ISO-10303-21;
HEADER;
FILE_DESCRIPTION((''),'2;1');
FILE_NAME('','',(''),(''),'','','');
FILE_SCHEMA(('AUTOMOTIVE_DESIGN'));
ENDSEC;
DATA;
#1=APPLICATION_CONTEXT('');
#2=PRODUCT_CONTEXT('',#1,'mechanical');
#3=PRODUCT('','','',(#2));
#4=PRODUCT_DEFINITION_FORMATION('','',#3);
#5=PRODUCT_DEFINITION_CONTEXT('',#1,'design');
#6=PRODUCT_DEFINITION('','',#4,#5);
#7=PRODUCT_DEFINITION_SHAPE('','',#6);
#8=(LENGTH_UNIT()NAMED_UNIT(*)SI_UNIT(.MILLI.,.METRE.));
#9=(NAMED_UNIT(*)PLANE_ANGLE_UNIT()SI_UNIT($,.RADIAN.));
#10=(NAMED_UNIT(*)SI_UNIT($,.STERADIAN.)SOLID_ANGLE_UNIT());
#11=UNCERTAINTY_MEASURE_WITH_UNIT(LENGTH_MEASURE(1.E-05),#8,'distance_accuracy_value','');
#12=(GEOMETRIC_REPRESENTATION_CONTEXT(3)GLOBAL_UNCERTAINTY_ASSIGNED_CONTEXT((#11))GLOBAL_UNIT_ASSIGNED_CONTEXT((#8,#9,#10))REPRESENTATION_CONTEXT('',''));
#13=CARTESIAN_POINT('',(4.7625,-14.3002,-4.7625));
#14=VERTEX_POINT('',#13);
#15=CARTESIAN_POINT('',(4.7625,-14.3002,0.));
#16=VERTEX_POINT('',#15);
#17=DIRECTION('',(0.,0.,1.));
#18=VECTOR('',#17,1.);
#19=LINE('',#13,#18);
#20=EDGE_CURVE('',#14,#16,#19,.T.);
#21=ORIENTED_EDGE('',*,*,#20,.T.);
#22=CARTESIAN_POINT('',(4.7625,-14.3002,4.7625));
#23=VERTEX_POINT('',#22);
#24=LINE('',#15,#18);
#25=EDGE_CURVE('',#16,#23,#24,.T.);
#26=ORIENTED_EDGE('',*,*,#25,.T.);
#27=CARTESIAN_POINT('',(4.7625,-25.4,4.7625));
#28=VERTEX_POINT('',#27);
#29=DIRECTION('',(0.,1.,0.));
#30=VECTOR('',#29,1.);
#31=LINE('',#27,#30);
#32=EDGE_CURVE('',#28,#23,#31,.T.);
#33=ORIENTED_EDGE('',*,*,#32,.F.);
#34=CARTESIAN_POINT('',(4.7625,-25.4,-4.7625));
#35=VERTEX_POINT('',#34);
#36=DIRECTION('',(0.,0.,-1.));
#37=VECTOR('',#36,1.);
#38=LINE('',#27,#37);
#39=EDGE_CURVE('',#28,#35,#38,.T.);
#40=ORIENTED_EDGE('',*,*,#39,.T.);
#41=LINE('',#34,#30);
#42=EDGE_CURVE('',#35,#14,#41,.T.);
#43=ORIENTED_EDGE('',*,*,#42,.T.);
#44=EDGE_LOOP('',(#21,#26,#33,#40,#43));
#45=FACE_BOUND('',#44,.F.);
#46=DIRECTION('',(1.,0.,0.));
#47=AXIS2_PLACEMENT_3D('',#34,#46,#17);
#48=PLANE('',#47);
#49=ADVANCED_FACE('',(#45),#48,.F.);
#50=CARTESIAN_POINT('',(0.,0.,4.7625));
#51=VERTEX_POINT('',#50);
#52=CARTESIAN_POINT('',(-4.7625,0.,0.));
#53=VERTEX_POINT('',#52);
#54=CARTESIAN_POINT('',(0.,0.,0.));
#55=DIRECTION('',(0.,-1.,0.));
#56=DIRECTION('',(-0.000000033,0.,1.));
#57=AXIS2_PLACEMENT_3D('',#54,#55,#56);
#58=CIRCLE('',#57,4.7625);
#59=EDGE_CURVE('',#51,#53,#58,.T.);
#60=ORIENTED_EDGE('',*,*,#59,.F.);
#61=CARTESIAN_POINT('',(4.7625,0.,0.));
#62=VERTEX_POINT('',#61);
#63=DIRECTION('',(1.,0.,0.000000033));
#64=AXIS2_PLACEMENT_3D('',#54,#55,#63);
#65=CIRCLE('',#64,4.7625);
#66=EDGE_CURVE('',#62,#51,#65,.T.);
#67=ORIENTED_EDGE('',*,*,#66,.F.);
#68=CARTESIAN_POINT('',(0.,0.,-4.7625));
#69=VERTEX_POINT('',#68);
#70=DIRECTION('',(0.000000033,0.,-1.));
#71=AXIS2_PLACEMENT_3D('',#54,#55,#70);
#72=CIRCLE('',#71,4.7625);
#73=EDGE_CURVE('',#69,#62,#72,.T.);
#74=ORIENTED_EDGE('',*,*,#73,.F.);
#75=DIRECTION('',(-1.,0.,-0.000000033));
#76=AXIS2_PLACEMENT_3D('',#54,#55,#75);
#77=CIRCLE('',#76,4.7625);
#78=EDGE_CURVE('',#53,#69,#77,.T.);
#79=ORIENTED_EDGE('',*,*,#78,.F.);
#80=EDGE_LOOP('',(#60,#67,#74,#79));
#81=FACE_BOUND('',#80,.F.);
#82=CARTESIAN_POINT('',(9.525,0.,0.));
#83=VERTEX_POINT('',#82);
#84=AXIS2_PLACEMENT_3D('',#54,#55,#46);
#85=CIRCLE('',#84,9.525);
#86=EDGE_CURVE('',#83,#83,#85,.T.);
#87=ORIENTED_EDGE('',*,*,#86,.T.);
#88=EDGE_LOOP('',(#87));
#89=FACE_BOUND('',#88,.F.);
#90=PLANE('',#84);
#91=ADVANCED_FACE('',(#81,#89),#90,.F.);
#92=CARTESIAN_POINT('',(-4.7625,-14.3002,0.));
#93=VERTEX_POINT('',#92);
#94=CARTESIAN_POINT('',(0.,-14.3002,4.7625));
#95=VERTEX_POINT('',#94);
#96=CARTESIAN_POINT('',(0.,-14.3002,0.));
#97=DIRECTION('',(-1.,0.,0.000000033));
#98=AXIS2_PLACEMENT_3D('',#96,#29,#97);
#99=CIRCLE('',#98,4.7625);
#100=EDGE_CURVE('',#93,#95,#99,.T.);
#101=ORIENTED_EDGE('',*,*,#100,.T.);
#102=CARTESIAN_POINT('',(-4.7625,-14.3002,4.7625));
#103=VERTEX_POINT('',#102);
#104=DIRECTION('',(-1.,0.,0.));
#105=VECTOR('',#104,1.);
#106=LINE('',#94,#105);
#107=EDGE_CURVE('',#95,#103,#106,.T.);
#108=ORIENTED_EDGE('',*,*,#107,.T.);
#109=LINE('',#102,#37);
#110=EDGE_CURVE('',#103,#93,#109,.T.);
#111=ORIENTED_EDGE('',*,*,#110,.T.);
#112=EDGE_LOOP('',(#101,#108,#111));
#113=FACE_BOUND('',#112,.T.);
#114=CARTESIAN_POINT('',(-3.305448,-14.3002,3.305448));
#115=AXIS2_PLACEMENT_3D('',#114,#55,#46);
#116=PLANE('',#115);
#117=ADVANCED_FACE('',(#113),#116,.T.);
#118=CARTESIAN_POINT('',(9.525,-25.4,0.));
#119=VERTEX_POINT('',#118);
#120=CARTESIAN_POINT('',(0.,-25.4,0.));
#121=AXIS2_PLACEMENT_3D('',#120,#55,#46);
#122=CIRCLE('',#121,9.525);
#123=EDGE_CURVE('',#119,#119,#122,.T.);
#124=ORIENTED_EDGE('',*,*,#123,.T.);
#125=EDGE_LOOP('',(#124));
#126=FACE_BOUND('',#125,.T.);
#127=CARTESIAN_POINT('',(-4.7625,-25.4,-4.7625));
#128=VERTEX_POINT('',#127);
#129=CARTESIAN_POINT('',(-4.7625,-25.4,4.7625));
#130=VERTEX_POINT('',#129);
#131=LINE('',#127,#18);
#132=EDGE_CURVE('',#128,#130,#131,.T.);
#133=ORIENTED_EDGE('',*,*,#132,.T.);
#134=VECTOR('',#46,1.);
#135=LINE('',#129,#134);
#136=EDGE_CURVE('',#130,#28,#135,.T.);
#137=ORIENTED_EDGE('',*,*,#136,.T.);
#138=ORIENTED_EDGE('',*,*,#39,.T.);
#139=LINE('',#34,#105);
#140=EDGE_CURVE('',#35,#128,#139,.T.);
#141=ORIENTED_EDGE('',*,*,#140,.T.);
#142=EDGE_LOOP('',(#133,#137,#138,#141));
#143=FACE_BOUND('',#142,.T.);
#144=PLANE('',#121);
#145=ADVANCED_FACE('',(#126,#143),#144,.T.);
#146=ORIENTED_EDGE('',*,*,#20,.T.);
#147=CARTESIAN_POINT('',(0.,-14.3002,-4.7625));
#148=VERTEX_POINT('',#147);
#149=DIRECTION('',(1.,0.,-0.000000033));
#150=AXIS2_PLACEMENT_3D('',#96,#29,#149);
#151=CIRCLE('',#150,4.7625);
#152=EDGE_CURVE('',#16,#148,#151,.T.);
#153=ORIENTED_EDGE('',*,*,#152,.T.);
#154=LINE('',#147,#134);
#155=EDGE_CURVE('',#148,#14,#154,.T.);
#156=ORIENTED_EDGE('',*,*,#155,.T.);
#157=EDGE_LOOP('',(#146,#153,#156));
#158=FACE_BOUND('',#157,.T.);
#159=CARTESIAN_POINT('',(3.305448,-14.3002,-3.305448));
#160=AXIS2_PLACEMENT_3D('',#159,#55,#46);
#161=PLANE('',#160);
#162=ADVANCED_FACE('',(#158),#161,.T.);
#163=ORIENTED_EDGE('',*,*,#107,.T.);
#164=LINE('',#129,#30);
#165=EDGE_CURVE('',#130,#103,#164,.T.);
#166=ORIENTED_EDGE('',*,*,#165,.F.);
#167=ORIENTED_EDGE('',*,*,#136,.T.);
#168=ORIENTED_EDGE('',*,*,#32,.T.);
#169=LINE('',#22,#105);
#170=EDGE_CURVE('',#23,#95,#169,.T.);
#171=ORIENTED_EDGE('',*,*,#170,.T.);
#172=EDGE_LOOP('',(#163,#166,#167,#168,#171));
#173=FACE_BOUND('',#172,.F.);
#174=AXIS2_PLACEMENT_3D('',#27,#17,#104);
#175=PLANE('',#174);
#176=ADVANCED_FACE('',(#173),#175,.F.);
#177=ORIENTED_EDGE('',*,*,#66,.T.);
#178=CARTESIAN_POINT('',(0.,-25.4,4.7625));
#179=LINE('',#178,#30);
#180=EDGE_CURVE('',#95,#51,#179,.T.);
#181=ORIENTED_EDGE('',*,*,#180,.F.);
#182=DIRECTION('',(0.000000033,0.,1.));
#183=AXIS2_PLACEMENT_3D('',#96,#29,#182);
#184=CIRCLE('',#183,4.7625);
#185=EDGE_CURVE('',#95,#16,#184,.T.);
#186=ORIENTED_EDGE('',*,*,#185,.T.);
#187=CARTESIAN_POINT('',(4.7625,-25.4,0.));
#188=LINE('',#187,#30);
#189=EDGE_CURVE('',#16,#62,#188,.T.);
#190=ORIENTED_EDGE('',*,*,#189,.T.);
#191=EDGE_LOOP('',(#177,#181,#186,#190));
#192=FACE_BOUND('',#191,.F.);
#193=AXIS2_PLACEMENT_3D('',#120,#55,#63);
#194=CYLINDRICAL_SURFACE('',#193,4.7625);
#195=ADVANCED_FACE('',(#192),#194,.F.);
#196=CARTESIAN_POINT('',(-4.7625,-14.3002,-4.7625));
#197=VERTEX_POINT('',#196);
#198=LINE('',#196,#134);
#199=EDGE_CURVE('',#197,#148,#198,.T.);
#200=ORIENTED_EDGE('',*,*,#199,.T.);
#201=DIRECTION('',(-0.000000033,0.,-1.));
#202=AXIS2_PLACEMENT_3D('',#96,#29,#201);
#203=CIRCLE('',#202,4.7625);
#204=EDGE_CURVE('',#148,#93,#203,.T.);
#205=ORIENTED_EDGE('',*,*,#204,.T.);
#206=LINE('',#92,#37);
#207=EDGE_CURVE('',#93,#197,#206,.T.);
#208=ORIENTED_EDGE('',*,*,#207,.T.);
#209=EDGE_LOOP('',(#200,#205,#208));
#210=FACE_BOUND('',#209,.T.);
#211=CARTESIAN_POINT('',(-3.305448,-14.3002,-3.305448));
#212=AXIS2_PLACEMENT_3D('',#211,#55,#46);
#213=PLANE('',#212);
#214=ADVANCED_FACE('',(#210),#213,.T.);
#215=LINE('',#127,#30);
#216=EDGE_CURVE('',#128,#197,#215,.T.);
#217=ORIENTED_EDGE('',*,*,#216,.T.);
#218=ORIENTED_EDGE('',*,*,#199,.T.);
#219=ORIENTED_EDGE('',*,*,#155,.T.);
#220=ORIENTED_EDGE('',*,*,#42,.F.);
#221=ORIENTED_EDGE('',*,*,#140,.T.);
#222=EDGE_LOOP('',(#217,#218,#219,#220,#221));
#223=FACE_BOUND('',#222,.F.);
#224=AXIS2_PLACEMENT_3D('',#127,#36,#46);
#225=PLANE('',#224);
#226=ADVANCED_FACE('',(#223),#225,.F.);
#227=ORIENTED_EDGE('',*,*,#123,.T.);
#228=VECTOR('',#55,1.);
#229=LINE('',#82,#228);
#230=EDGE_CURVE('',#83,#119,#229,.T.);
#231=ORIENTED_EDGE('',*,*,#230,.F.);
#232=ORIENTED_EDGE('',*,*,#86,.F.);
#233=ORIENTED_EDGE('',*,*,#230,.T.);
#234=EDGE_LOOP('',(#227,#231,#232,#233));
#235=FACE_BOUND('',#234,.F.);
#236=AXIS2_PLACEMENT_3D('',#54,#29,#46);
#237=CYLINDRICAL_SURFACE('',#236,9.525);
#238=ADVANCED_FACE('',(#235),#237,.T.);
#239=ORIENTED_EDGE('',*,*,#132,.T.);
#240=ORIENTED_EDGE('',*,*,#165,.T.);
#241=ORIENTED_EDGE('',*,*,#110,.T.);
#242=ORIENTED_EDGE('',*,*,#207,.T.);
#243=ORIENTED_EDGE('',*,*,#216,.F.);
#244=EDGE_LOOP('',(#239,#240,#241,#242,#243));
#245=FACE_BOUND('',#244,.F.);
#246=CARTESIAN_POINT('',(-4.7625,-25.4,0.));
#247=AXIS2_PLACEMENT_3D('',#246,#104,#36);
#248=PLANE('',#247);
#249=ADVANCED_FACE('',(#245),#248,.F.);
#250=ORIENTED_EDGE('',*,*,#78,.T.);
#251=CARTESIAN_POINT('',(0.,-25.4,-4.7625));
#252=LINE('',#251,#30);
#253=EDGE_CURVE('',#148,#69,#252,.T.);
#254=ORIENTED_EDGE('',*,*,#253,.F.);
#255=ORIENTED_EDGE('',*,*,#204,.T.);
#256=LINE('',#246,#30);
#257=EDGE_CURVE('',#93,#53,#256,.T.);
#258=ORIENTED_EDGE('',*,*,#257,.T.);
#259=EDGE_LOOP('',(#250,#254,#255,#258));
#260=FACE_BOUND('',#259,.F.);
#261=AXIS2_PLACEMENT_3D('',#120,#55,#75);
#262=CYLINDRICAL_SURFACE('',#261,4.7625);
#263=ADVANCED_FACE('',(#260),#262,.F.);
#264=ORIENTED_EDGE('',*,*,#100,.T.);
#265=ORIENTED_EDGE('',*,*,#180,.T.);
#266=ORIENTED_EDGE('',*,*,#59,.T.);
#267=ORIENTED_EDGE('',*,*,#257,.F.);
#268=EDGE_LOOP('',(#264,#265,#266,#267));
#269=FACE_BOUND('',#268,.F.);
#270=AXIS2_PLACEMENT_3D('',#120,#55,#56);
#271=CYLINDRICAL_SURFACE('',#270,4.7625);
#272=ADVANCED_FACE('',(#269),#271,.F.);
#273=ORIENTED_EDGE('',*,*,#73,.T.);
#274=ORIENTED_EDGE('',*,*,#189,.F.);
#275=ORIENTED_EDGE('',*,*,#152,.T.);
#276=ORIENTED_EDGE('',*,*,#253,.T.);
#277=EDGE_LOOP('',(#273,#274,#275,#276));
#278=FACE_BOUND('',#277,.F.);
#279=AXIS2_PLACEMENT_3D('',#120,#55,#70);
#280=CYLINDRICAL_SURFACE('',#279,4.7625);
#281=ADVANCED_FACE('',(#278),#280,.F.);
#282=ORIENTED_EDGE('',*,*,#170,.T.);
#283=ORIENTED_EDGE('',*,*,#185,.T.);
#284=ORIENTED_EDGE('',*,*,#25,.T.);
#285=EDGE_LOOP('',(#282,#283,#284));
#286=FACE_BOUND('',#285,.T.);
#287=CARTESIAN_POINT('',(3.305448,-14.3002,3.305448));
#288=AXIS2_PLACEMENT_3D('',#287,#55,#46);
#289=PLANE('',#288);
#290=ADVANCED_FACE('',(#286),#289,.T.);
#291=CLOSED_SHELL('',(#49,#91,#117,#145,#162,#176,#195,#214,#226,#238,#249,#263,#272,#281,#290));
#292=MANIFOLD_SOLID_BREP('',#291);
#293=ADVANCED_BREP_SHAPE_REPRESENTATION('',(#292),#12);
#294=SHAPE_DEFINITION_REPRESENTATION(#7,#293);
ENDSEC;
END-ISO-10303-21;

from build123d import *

# Parameters (mm, degrees)
F0_R     = 9.525
F1_DEPTH = 25.4
F3_DEPTH = 25.401
F4_DEPTH = 11.0998


with BuildPart() as f1:
    # F0 (on Front) → F1 (new body)
    with BuildSketch(Plane.XZ):
        Circle(F0_R)
    extrude(amount=F1_DEPTH)

    # F2 (on face) → F3 (cut, through all)
    with BuildSketch(Plane.XZ.offset(25.4)):
        with BuildLine():
            ThreePointArc((-4.7625, 0), (-3.367596, -3.367596), (0, -4.7625))
            ThreePointArc((0, -4.7625), (3.367596, -3.367596), (4.7625, 0))
            ThreePointArc((4.7625, 0), (3.367596, 3.367596), (0, 4.7625))
            ThreePointArc((0, 4.7625), (-3.367596, 3.367596), (-4.7625, 0))
        make_face()
    extrude(amount=-F3_DEPTH, mode=Mode.SUBTRACT)

    # F2 (on face) → F4 (cut)
    with BuildSketch(Plane.XZ.offset(25.4)):
        with BuildLine():
            Line((0, -4.7625), (4.7625, -4.7625))
            Line((4.7625, -4.7625), (4.7625, 0))
            ThreePointArc((4.7625, 0), (3.367596, -3.367596), (0, -4.7625))
        make_face()
        with BuildLine():
            Line((-4.7625, -4.7625), (0, -4.7625))
            ThreePointArc((0, -4.7625), (-3.367596, -3.367596), (-4.7625, 0))
            Line((-4.7625, 0), (-4.7625, -4.7625))
        make_face()
        with BuildLine():
            ThreePointArc((0, 4.7625), (3.367596, 3.367596), (4.7625, 0))
            Line((4.7625, 0), (4.7625, 4.7625))
            Line((4.7625, 4.7625), (0, 4.7625))
        make_face()
        with BuildLine():
            Line((-4.7625, 4.7625), (-4.7625, 0))
            ThreePointArc((-4.7625, 0), (-3.367596, 3.367596), (0, 4.7625))
            Line((0, 4.7625), (-4.7625, 4.7625))
        make_face()
    extrude(amount=-F4_DEPTH, mode=Mode.SUBTRACT)


solid = f1.part
